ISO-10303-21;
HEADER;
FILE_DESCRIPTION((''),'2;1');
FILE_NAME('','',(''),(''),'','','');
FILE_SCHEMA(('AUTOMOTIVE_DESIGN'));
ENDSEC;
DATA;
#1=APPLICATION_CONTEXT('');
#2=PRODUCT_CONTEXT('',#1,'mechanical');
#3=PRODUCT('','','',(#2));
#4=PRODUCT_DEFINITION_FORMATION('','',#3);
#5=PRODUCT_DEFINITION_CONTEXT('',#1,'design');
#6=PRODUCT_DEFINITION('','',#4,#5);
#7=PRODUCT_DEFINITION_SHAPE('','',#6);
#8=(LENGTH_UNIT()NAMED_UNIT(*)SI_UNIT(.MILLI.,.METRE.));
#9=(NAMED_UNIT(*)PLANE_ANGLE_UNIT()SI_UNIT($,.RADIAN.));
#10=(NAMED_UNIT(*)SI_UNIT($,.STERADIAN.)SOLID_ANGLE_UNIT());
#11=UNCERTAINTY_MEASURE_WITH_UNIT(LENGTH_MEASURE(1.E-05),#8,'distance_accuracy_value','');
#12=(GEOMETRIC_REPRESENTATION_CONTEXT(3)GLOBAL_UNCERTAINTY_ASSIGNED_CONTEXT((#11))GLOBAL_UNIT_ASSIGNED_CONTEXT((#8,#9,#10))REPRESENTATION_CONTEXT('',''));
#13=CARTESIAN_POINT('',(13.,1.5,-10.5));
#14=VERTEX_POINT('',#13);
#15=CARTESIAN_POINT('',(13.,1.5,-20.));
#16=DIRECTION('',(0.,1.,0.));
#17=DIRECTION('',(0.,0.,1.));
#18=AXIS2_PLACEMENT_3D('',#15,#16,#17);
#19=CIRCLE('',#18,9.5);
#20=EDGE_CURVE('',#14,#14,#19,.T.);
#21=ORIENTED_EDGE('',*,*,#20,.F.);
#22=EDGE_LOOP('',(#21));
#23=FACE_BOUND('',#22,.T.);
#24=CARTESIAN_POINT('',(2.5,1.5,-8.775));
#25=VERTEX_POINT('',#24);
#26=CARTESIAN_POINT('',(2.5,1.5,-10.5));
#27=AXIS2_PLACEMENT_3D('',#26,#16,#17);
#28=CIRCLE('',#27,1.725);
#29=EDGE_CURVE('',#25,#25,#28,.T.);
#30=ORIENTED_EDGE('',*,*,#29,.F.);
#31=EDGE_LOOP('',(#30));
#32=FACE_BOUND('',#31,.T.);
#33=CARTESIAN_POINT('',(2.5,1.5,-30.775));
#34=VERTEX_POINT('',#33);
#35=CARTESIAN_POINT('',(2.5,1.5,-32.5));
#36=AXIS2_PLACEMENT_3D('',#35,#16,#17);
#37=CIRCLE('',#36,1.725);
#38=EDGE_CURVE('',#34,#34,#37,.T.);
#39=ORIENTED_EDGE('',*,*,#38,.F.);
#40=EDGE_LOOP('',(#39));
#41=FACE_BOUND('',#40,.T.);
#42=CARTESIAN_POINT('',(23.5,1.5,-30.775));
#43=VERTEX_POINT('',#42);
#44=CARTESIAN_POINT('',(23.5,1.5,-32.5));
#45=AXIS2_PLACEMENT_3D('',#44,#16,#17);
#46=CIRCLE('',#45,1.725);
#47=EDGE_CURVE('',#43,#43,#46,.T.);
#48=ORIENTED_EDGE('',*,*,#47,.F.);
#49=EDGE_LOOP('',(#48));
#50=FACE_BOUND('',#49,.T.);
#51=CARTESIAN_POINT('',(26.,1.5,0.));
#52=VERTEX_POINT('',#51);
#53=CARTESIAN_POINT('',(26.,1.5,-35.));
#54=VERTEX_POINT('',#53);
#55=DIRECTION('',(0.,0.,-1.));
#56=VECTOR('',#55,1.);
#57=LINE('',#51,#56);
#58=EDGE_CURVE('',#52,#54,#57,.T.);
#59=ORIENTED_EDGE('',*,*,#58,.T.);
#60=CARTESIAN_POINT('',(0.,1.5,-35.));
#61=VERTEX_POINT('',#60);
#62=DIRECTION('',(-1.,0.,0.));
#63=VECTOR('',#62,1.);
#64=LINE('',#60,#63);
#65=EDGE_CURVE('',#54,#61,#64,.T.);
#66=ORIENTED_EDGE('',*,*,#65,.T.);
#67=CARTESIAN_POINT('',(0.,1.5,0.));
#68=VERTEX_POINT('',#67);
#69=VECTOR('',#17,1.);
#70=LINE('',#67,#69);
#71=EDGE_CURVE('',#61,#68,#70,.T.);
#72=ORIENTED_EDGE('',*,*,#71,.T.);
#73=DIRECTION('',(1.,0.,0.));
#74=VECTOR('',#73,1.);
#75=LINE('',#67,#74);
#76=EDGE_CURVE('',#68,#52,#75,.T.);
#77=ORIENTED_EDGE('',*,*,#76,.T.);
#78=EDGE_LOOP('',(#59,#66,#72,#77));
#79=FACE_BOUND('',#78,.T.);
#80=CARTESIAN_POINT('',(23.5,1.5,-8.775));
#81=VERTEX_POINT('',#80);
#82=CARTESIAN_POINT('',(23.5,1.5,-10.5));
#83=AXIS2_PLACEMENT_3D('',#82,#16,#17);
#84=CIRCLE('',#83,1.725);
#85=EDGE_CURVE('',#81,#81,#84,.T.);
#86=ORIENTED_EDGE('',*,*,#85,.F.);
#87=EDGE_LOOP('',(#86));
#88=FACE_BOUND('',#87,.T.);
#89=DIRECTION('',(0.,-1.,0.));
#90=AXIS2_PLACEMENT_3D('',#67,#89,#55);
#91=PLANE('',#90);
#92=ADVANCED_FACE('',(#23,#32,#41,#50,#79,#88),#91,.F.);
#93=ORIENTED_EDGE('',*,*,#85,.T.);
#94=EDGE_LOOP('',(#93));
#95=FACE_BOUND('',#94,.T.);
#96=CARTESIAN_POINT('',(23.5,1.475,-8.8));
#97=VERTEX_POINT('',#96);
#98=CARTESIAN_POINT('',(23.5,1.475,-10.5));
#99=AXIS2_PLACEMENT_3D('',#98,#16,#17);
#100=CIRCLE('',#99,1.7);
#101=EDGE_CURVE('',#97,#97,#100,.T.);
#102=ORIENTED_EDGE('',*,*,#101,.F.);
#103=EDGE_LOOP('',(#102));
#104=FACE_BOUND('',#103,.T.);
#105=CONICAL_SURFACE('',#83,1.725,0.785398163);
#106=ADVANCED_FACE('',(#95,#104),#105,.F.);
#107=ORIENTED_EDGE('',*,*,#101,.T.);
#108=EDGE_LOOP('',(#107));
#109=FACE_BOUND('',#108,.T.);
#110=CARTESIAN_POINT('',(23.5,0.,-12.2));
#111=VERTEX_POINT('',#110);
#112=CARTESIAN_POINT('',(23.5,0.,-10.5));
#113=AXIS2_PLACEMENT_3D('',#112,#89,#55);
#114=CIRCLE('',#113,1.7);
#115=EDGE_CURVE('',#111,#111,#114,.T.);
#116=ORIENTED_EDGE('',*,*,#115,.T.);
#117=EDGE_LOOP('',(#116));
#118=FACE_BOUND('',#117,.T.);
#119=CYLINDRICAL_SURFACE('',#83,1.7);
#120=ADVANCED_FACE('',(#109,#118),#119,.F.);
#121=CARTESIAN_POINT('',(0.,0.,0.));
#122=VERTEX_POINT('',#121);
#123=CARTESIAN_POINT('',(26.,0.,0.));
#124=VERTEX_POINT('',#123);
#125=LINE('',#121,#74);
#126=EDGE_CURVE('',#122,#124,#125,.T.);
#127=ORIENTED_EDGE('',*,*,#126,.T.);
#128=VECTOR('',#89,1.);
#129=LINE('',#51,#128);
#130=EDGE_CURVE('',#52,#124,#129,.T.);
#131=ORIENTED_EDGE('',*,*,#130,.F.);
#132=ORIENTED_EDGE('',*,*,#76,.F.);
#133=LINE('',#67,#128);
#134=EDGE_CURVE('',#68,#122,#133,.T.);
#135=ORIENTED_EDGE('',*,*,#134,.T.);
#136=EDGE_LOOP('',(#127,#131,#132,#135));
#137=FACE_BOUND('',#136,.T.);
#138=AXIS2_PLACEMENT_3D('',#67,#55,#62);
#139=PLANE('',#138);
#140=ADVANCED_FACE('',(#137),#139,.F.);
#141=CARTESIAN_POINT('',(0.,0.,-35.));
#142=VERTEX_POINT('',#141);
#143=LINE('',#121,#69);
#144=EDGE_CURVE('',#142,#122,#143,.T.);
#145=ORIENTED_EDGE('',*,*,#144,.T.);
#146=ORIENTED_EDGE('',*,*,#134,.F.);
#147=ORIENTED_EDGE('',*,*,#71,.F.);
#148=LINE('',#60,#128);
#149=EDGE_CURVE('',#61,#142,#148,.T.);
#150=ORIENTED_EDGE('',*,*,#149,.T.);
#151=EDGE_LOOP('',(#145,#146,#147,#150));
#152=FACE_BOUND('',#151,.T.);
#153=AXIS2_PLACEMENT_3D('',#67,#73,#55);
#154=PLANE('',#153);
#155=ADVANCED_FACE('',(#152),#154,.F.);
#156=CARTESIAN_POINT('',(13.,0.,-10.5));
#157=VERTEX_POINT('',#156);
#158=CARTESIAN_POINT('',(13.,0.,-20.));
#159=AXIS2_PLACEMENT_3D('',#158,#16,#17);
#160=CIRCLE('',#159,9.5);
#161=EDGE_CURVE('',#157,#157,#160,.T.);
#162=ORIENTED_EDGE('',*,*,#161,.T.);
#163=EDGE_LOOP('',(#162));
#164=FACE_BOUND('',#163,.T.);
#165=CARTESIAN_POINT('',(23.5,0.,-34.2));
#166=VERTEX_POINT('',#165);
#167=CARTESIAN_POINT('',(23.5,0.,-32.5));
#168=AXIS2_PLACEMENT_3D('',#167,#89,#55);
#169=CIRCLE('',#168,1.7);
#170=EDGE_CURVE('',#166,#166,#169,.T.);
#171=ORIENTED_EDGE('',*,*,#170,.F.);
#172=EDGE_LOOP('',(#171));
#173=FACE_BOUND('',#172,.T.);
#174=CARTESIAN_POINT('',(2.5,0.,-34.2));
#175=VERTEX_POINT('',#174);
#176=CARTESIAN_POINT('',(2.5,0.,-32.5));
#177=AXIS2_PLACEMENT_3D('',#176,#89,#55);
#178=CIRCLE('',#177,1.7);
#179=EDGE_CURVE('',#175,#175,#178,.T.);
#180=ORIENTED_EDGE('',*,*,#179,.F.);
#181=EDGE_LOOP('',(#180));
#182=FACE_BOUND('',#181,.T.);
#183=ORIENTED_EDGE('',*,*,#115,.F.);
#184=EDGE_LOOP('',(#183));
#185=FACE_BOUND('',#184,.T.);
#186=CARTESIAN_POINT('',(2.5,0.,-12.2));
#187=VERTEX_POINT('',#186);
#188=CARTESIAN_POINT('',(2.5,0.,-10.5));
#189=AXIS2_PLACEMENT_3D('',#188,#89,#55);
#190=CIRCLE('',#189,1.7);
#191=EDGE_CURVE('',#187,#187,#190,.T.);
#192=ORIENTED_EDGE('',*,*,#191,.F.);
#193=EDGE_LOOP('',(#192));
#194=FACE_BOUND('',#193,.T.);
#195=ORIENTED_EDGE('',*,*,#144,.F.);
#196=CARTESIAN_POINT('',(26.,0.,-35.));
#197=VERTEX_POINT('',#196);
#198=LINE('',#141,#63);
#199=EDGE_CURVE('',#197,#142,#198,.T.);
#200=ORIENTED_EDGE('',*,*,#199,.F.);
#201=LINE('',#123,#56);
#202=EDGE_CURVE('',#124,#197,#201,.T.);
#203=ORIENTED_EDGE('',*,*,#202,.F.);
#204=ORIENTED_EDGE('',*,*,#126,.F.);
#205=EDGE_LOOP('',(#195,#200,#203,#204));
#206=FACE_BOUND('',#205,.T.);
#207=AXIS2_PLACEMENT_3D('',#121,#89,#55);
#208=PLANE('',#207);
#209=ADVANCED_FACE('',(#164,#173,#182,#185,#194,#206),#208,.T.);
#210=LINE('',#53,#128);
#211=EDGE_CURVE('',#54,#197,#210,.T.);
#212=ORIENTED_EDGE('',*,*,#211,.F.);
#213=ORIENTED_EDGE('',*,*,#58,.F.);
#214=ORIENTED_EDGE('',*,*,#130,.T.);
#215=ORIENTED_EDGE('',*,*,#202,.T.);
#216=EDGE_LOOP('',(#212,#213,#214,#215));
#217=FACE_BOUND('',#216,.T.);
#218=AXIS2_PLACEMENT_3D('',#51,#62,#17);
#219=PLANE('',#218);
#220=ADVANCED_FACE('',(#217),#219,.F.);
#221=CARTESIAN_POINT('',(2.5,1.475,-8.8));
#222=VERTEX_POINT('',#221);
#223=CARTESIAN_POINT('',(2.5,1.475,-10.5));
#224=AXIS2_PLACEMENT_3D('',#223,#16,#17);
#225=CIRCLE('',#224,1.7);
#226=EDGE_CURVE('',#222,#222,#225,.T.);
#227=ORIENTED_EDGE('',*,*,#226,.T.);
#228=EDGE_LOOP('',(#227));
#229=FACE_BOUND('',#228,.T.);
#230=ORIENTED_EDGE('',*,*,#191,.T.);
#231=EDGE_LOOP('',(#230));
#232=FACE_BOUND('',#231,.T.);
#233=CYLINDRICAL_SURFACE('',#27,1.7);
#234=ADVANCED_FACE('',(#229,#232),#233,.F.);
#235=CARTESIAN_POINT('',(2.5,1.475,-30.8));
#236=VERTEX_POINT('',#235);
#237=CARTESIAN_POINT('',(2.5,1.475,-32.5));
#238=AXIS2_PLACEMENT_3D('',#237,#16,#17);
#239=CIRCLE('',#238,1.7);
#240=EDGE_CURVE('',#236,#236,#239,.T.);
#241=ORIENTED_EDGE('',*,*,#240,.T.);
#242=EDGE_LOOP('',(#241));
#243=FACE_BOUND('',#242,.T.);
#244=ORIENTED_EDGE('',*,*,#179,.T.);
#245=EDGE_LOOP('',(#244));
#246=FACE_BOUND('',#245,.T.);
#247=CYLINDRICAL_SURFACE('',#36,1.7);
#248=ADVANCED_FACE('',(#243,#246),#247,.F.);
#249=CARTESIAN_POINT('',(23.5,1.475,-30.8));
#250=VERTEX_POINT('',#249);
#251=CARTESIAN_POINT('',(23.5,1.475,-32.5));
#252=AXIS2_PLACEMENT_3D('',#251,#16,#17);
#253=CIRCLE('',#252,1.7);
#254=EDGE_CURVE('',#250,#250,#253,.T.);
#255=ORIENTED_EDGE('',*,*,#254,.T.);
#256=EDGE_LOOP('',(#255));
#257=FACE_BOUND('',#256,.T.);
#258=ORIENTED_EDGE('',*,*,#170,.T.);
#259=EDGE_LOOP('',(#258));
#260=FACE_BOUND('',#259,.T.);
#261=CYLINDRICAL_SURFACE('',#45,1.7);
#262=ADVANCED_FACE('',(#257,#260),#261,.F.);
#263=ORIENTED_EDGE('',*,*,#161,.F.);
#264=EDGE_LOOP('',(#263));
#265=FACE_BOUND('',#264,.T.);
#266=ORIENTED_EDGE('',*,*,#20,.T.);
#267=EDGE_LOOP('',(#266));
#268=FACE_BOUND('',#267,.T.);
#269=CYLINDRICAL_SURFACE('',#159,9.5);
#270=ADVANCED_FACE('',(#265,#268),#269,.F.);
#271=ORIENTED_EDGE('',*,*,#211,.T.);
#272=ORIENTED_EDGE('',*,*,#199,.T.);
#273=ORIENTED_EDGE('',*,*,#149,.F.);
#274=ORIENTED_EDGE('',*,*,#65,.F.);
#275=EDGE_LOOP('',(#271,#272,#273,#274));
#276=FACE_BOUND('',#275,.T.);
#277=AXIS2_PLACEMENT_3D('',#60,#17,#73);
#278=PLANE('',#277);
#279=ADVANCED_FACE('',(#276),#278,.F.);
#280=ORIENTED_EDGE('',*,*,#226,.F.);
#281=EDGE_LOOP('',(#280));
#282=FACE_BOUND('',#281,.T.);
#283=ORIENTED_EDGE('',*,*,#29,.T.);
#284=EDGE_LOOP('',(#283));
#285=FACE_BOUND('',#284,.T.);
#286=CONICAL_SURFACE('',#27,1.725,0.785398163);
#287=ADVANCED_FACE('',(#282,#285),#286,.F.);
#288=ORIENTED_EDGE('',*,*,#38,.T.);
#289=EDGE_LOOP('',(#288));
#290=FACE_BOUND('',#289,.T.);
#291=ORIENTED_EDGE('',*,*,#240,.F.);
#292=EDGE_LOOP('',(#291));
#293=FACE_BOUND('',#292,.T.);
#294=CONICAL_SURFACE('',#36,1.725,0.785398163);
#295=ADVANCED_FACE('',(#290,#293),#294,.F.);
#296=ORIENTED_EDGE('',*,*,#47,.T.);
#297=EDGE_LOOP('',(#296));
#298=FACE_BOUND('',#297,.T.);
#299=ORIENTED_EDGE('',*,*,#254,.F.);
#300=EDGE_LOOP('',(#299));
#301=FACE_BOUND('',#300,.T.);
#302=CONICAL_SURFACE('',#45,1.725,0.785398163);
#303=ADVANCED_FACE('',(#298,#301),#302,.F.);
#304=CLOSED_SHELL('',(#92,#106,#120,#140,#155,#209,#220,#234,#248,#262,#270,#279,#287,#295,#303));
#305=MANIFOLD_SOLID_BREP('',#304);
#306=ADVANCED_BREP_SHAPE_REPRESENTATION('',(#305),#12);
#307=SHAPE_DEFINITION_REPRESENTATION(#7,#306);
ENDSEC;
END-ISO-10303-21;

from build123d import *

# Parameters (mm, degrees)
SKETCH1_W                      = 26
SKETCH1_H                      = 35
BOSS_EXTRUDE1_DEPTH            = 1.5
M3_CLEARANCE_HOLE1_D           = 3.4
M3_CLEARANCE_HOLE1_DEPTH       = 3
M3_CLEARANCE_HOLE1_CSINK_D     = 3.45
M3_CLEARANCE_HOLE1_CSINK_ANGLE = 90
SKETCH4_R                      = 9.5
CUT_EXTRUDE1_DEPTH             = 44.626253564


with BuildPart() as part:
    # Sketch1 → Boss-Extrude1 (new body)
    with BuildSketch(Plane(origin=(0, 0, 0), x_dir=(1, 0, 0), z_dir=(0, 1, 0))):
        with Locations((13, 17.5)):
            Rectangle(SKETCH1_W, SKETCH1_H)
    extrude(amount=BOSS_EXTRUDE1_DEPTH)

    # M3 Clearance Hole1
    with Locations(Plane(origin=(0, 1.5, 0), x_dir=(1, 0, 0), z_dir=(0, 1, 0))):
        with Locations((2.5, 32.5), (2.5, 10.5), (23.5, 10.5), (23.5, 32.5)):
            CounterSinkHole(M3_CLEARANCE_HOLE1_D / 2, M3_CLEARANCE_HOLE1_CSINK_D / 2, depth=M3_CLEARANCE_HOLE1_DEPTH, counter_sink_angle=M3_CLEARANCE_HOLE1_CSINK_ANGLE)

    # Sketch4 → Cut-Extrude1 (cut, through all)
    with BuildSketch(Plane(origin=(0, 1.5, 0), x_dir=(1, 0, 0), z_dir=(0, 1, 0))):
        with Locations(Location((13, 20, 0), (0, 0, 270))):
            Circle(SKETCH4_R)
    extrude(amount=-CUT_EXTRUDE1_DEPTH, mode=Mode.SUBTRACT)


solid = part.part
